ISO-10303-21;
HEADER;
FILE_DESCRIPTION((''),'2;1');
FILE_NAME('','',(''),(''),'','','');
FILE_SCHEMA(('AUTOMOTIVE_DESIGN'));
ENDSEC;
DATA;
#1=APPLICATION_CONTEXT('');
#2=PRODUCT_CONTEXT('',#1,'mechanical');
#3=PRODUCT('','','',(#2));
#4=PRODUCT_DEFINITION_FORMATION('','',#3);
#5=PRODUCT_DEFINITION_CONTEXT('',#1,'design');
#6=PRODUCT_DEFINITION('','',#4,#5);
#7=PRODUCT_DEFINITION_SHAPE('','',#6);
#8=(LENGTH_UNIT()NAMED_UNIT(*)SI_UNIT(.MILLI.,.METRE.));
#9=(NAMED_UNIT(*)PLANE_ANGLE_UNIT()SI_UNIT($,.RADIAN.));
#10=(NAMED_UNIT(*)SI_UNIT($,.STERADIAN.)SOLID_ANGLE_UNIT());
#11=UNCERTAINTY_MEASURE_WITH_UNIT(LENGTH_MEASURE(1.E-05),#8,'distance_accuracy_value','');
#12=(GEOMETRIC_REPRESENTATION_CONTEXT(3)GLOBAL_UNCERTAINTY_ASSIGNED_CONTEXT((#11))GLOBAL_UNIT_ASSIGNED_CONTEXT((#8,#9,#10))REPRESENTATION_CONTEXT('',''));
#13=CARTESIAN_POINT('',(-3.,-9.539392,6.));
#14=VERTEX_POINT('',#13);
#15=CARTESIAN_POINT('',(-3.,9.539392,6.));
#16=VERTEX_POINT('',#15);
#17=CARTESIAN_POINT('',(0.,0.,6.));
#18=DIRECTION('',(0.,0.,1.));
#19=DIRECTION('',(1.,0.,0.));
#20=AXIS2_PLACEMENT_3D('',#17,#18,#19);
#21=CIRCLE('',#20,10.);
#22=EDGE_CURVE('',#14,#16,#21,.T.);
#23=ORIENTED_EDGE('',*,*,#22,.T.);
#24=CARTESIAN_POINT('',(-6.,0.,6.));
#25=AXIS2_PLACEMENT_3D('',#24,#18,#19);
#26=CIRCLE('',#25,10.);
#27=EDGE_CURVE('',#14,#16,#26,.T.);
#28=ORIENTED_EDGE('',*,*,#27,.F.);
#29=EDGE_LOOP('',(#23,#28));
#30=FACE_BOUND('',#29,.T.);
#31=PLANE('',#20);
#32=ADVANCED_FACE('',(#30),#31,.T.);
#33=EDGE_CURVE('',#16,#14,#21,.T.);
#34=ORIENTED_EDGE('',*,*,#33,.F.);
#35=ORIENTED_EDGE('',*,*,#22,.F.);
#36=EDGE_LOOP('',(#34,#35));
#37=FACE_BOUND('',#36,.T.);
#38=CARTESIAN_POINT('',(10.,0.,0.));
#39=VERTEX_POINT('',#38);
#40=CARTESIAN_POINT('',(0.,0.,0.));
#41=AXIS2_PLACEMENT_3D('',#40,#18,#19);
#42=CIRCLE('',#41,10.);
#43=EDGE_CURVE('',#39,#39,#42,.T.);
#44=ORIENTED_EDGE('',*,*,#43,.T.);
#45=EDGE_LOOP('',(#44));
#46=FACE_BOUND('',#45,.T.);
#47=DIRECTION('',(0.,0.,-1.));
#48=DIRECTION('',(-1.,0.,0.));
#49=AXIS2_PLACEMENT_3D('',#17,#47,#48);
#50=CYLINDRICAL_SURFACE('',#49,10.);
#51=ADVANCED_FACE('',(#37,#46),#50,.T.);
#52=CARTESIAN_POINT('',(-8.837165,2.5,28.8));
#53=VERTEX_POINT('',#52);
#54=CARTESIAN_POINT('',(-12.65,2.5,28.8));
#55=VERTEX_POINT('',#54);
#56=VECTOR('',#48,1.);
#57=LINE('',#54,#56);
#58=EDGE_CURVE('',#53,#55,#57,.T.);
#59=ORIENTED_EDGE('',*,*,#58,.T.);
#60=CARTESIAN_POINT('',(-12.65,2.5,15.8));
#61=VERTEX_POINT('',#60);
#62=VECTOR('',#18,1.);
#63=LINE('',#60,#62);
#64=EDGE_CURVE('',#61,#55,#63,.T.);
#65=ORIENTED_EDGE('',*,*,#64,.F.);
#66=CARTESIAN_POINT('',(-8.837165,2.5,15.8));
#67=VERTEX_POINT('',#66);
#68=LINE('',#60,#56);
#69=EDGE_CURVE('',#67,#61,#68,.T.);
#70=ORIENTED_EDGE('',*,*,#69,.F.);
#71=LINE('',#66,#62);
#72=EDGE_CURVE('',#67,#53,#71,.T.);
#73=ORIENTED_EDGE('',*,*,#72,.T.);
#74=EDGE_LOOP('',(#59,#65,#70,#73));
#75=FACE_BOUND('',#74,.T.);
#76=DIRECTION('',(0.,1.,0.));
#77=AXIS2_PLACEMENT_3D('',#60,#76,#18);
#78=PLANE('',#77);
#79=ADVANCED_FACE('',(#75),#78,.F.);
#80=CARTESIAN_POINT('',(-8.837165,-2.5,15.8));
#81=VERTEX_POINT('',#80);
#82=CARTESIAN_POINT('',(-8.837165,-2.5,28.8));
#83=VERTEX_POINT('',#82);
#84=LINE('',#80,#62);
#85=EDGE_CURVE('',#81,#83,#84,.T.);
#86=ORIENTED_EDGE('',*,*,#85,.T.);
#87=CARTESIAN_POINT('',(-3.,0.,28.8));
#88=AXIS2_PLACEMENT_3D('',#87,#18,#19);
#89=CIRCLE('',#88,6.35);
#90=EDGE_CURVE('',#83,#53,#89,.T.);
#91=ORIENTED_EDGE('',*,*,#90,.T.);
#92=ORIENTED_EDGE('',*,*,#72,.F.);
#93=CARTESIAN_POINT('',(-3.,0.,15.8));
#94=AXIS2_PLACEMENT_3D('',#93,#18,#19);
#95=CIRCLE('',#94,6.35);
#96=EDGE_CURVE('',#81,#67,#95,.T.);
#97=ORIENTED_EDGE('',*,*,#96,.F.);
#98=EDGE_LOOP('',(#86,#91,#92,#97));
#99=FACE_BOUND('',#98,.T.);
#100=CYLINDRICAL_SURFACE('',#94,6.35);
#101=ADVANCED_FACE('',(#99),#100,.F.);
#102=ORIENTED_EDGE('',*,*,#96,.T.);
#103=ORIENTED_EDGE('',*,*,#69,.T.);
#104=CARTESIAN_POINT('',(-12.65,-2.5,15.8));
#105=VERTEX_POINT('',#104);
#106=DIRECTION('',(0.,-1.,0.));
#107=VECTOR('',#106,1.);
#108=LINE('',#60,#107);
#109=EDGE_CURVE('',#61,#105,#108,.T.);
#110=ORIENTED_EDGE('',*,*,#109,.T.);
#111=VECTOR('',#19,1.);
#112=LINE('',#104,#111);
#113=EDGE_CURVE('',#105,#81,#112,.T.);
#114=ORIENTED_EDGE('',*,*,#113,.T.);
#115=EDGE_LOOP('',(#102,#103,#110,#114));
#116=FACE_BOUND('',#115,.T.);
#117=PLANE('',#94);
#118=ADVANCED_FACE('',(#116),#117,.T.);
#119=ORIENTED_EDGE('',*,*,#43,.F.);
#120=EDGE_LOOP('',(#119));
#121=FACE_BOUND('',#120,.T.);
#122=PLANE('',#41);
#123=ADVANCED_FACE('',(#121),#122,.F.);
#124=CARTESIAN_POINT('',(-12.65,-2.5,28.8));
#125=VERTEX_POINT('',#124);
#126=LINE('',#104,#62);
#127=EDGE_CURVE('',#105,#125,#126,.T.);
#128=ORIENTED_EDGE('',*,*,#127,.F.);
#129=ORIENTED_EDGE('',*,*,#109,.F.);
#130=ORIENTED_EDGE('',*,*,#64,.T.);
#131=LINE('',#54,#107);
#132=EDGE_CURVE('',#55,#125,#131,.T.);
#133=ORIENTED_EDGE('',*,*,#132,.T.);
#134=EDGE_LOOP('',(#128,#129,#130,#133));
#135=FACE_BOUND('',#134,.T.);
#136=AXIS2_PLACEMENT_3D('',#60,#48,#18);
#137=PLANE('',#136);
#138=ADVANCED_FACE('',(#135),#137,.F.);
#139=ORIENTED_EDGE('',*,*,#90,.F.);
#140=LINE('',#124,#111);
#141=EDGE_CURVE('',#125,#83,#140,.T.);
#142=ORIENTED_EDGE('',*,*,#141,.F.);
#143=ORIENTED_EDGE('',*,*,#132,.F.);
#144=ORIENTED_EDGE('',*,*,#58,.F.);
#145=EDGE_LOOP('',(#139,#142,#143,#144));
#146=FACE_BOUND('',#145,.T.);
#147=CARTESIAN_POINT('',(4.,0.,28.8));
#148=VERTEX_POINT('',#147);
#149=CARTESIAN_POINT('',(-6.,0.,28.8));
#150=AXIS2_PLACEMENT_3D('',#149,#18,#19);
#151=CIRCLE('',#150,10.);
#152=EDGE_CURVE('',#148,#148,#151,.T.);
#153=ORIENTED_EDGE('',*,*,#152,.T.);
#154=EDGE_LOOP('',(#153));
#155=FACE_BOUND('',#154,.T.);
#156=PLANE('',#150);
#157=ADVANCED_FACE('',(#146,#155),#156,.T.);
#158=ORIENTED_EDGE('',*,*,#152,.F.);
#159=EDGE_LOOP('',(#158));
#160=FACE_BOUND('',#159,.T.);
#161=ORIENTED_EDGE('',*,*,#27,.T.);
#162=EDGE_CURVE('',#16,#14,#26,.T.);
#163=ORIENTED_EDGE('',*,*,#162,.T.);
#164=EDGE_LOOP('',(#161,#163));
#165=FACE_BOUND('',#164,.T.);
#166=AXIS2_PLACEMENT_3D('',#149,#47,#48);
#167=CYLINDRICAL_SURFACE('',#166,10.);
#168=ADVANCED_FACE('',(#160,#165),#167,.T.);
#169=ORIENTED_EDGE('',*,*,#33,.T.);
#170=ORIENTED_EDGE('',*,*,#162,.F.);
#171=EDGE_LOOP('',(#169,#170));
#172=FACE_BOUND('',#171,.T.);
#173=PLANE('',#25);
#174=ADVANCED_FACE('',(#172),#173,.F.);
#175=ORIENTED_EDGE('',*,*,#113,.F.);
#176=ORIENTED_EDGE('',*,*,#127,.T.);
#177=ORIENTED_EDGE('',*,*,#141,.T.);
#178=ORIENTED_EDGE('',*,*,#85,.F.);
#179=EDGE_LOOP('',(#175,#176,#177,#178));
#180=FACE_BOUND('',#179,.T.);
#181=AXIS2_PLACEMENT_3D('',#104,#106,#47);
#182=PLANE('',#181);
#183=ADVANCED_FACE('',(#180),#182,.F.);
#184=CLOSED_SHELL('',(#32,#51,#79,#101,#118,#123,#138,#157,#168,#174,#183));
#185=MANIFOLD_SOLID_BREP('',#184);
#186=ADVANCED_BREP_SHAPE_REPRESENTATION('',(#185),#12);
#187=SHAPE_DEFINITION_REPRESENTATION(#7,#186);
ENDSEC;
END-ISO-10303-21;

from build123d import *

# Parameters (mm, degrees)
SKETCH_1_R          = 10
EXTRUDE_1_DEPTH     = 6
SKETCH_2_R          = 10
EXTRUDE_2_DEPTH     = 22.8
CUT_EXTRUDE_1_DEPTH = 13


with BuildPart() as part:
    # 草图1 → 凸台-拉伸1 (new body)
    with BuildSketch(Plane.XY):
        Circle(SKETCH_1_R)
    extrude(amount=EXTRUDE_1_DEPTH)

    # 草图2 → 凸台-拉伸2 (add)
    with BuildSketch(Plane.XY.offset(6)):
        with Locations(Location((-6, 0, 0), (0, 0, 287.457603124))):
            Circle(SKETCH_2_R)
    extrude(amount=EXTRUDE_2_DEPTH)

    # 草图3 → 切除-拉伸1 (cut)
    with BuildSketch(Plane.XY.offset(28.8)):
        with BuildLine():
            Line((-12.65, 2.5), (-8.837165408, 2.5))
            ThreePointArc((-8.837165408, 2.5), (3.35, 0), (-8.837165408, -2.5))
            Line((-8.837165408, -2.5), (-12.65, -2.5))
            Line((-12.65, -2.5), (-12.65, 2.5))
        make_face()
    extrude(amount=-CUT_EXTRUDE_1_DEPTH, mode=Mode.SUBTRACT)


solid = part.part
